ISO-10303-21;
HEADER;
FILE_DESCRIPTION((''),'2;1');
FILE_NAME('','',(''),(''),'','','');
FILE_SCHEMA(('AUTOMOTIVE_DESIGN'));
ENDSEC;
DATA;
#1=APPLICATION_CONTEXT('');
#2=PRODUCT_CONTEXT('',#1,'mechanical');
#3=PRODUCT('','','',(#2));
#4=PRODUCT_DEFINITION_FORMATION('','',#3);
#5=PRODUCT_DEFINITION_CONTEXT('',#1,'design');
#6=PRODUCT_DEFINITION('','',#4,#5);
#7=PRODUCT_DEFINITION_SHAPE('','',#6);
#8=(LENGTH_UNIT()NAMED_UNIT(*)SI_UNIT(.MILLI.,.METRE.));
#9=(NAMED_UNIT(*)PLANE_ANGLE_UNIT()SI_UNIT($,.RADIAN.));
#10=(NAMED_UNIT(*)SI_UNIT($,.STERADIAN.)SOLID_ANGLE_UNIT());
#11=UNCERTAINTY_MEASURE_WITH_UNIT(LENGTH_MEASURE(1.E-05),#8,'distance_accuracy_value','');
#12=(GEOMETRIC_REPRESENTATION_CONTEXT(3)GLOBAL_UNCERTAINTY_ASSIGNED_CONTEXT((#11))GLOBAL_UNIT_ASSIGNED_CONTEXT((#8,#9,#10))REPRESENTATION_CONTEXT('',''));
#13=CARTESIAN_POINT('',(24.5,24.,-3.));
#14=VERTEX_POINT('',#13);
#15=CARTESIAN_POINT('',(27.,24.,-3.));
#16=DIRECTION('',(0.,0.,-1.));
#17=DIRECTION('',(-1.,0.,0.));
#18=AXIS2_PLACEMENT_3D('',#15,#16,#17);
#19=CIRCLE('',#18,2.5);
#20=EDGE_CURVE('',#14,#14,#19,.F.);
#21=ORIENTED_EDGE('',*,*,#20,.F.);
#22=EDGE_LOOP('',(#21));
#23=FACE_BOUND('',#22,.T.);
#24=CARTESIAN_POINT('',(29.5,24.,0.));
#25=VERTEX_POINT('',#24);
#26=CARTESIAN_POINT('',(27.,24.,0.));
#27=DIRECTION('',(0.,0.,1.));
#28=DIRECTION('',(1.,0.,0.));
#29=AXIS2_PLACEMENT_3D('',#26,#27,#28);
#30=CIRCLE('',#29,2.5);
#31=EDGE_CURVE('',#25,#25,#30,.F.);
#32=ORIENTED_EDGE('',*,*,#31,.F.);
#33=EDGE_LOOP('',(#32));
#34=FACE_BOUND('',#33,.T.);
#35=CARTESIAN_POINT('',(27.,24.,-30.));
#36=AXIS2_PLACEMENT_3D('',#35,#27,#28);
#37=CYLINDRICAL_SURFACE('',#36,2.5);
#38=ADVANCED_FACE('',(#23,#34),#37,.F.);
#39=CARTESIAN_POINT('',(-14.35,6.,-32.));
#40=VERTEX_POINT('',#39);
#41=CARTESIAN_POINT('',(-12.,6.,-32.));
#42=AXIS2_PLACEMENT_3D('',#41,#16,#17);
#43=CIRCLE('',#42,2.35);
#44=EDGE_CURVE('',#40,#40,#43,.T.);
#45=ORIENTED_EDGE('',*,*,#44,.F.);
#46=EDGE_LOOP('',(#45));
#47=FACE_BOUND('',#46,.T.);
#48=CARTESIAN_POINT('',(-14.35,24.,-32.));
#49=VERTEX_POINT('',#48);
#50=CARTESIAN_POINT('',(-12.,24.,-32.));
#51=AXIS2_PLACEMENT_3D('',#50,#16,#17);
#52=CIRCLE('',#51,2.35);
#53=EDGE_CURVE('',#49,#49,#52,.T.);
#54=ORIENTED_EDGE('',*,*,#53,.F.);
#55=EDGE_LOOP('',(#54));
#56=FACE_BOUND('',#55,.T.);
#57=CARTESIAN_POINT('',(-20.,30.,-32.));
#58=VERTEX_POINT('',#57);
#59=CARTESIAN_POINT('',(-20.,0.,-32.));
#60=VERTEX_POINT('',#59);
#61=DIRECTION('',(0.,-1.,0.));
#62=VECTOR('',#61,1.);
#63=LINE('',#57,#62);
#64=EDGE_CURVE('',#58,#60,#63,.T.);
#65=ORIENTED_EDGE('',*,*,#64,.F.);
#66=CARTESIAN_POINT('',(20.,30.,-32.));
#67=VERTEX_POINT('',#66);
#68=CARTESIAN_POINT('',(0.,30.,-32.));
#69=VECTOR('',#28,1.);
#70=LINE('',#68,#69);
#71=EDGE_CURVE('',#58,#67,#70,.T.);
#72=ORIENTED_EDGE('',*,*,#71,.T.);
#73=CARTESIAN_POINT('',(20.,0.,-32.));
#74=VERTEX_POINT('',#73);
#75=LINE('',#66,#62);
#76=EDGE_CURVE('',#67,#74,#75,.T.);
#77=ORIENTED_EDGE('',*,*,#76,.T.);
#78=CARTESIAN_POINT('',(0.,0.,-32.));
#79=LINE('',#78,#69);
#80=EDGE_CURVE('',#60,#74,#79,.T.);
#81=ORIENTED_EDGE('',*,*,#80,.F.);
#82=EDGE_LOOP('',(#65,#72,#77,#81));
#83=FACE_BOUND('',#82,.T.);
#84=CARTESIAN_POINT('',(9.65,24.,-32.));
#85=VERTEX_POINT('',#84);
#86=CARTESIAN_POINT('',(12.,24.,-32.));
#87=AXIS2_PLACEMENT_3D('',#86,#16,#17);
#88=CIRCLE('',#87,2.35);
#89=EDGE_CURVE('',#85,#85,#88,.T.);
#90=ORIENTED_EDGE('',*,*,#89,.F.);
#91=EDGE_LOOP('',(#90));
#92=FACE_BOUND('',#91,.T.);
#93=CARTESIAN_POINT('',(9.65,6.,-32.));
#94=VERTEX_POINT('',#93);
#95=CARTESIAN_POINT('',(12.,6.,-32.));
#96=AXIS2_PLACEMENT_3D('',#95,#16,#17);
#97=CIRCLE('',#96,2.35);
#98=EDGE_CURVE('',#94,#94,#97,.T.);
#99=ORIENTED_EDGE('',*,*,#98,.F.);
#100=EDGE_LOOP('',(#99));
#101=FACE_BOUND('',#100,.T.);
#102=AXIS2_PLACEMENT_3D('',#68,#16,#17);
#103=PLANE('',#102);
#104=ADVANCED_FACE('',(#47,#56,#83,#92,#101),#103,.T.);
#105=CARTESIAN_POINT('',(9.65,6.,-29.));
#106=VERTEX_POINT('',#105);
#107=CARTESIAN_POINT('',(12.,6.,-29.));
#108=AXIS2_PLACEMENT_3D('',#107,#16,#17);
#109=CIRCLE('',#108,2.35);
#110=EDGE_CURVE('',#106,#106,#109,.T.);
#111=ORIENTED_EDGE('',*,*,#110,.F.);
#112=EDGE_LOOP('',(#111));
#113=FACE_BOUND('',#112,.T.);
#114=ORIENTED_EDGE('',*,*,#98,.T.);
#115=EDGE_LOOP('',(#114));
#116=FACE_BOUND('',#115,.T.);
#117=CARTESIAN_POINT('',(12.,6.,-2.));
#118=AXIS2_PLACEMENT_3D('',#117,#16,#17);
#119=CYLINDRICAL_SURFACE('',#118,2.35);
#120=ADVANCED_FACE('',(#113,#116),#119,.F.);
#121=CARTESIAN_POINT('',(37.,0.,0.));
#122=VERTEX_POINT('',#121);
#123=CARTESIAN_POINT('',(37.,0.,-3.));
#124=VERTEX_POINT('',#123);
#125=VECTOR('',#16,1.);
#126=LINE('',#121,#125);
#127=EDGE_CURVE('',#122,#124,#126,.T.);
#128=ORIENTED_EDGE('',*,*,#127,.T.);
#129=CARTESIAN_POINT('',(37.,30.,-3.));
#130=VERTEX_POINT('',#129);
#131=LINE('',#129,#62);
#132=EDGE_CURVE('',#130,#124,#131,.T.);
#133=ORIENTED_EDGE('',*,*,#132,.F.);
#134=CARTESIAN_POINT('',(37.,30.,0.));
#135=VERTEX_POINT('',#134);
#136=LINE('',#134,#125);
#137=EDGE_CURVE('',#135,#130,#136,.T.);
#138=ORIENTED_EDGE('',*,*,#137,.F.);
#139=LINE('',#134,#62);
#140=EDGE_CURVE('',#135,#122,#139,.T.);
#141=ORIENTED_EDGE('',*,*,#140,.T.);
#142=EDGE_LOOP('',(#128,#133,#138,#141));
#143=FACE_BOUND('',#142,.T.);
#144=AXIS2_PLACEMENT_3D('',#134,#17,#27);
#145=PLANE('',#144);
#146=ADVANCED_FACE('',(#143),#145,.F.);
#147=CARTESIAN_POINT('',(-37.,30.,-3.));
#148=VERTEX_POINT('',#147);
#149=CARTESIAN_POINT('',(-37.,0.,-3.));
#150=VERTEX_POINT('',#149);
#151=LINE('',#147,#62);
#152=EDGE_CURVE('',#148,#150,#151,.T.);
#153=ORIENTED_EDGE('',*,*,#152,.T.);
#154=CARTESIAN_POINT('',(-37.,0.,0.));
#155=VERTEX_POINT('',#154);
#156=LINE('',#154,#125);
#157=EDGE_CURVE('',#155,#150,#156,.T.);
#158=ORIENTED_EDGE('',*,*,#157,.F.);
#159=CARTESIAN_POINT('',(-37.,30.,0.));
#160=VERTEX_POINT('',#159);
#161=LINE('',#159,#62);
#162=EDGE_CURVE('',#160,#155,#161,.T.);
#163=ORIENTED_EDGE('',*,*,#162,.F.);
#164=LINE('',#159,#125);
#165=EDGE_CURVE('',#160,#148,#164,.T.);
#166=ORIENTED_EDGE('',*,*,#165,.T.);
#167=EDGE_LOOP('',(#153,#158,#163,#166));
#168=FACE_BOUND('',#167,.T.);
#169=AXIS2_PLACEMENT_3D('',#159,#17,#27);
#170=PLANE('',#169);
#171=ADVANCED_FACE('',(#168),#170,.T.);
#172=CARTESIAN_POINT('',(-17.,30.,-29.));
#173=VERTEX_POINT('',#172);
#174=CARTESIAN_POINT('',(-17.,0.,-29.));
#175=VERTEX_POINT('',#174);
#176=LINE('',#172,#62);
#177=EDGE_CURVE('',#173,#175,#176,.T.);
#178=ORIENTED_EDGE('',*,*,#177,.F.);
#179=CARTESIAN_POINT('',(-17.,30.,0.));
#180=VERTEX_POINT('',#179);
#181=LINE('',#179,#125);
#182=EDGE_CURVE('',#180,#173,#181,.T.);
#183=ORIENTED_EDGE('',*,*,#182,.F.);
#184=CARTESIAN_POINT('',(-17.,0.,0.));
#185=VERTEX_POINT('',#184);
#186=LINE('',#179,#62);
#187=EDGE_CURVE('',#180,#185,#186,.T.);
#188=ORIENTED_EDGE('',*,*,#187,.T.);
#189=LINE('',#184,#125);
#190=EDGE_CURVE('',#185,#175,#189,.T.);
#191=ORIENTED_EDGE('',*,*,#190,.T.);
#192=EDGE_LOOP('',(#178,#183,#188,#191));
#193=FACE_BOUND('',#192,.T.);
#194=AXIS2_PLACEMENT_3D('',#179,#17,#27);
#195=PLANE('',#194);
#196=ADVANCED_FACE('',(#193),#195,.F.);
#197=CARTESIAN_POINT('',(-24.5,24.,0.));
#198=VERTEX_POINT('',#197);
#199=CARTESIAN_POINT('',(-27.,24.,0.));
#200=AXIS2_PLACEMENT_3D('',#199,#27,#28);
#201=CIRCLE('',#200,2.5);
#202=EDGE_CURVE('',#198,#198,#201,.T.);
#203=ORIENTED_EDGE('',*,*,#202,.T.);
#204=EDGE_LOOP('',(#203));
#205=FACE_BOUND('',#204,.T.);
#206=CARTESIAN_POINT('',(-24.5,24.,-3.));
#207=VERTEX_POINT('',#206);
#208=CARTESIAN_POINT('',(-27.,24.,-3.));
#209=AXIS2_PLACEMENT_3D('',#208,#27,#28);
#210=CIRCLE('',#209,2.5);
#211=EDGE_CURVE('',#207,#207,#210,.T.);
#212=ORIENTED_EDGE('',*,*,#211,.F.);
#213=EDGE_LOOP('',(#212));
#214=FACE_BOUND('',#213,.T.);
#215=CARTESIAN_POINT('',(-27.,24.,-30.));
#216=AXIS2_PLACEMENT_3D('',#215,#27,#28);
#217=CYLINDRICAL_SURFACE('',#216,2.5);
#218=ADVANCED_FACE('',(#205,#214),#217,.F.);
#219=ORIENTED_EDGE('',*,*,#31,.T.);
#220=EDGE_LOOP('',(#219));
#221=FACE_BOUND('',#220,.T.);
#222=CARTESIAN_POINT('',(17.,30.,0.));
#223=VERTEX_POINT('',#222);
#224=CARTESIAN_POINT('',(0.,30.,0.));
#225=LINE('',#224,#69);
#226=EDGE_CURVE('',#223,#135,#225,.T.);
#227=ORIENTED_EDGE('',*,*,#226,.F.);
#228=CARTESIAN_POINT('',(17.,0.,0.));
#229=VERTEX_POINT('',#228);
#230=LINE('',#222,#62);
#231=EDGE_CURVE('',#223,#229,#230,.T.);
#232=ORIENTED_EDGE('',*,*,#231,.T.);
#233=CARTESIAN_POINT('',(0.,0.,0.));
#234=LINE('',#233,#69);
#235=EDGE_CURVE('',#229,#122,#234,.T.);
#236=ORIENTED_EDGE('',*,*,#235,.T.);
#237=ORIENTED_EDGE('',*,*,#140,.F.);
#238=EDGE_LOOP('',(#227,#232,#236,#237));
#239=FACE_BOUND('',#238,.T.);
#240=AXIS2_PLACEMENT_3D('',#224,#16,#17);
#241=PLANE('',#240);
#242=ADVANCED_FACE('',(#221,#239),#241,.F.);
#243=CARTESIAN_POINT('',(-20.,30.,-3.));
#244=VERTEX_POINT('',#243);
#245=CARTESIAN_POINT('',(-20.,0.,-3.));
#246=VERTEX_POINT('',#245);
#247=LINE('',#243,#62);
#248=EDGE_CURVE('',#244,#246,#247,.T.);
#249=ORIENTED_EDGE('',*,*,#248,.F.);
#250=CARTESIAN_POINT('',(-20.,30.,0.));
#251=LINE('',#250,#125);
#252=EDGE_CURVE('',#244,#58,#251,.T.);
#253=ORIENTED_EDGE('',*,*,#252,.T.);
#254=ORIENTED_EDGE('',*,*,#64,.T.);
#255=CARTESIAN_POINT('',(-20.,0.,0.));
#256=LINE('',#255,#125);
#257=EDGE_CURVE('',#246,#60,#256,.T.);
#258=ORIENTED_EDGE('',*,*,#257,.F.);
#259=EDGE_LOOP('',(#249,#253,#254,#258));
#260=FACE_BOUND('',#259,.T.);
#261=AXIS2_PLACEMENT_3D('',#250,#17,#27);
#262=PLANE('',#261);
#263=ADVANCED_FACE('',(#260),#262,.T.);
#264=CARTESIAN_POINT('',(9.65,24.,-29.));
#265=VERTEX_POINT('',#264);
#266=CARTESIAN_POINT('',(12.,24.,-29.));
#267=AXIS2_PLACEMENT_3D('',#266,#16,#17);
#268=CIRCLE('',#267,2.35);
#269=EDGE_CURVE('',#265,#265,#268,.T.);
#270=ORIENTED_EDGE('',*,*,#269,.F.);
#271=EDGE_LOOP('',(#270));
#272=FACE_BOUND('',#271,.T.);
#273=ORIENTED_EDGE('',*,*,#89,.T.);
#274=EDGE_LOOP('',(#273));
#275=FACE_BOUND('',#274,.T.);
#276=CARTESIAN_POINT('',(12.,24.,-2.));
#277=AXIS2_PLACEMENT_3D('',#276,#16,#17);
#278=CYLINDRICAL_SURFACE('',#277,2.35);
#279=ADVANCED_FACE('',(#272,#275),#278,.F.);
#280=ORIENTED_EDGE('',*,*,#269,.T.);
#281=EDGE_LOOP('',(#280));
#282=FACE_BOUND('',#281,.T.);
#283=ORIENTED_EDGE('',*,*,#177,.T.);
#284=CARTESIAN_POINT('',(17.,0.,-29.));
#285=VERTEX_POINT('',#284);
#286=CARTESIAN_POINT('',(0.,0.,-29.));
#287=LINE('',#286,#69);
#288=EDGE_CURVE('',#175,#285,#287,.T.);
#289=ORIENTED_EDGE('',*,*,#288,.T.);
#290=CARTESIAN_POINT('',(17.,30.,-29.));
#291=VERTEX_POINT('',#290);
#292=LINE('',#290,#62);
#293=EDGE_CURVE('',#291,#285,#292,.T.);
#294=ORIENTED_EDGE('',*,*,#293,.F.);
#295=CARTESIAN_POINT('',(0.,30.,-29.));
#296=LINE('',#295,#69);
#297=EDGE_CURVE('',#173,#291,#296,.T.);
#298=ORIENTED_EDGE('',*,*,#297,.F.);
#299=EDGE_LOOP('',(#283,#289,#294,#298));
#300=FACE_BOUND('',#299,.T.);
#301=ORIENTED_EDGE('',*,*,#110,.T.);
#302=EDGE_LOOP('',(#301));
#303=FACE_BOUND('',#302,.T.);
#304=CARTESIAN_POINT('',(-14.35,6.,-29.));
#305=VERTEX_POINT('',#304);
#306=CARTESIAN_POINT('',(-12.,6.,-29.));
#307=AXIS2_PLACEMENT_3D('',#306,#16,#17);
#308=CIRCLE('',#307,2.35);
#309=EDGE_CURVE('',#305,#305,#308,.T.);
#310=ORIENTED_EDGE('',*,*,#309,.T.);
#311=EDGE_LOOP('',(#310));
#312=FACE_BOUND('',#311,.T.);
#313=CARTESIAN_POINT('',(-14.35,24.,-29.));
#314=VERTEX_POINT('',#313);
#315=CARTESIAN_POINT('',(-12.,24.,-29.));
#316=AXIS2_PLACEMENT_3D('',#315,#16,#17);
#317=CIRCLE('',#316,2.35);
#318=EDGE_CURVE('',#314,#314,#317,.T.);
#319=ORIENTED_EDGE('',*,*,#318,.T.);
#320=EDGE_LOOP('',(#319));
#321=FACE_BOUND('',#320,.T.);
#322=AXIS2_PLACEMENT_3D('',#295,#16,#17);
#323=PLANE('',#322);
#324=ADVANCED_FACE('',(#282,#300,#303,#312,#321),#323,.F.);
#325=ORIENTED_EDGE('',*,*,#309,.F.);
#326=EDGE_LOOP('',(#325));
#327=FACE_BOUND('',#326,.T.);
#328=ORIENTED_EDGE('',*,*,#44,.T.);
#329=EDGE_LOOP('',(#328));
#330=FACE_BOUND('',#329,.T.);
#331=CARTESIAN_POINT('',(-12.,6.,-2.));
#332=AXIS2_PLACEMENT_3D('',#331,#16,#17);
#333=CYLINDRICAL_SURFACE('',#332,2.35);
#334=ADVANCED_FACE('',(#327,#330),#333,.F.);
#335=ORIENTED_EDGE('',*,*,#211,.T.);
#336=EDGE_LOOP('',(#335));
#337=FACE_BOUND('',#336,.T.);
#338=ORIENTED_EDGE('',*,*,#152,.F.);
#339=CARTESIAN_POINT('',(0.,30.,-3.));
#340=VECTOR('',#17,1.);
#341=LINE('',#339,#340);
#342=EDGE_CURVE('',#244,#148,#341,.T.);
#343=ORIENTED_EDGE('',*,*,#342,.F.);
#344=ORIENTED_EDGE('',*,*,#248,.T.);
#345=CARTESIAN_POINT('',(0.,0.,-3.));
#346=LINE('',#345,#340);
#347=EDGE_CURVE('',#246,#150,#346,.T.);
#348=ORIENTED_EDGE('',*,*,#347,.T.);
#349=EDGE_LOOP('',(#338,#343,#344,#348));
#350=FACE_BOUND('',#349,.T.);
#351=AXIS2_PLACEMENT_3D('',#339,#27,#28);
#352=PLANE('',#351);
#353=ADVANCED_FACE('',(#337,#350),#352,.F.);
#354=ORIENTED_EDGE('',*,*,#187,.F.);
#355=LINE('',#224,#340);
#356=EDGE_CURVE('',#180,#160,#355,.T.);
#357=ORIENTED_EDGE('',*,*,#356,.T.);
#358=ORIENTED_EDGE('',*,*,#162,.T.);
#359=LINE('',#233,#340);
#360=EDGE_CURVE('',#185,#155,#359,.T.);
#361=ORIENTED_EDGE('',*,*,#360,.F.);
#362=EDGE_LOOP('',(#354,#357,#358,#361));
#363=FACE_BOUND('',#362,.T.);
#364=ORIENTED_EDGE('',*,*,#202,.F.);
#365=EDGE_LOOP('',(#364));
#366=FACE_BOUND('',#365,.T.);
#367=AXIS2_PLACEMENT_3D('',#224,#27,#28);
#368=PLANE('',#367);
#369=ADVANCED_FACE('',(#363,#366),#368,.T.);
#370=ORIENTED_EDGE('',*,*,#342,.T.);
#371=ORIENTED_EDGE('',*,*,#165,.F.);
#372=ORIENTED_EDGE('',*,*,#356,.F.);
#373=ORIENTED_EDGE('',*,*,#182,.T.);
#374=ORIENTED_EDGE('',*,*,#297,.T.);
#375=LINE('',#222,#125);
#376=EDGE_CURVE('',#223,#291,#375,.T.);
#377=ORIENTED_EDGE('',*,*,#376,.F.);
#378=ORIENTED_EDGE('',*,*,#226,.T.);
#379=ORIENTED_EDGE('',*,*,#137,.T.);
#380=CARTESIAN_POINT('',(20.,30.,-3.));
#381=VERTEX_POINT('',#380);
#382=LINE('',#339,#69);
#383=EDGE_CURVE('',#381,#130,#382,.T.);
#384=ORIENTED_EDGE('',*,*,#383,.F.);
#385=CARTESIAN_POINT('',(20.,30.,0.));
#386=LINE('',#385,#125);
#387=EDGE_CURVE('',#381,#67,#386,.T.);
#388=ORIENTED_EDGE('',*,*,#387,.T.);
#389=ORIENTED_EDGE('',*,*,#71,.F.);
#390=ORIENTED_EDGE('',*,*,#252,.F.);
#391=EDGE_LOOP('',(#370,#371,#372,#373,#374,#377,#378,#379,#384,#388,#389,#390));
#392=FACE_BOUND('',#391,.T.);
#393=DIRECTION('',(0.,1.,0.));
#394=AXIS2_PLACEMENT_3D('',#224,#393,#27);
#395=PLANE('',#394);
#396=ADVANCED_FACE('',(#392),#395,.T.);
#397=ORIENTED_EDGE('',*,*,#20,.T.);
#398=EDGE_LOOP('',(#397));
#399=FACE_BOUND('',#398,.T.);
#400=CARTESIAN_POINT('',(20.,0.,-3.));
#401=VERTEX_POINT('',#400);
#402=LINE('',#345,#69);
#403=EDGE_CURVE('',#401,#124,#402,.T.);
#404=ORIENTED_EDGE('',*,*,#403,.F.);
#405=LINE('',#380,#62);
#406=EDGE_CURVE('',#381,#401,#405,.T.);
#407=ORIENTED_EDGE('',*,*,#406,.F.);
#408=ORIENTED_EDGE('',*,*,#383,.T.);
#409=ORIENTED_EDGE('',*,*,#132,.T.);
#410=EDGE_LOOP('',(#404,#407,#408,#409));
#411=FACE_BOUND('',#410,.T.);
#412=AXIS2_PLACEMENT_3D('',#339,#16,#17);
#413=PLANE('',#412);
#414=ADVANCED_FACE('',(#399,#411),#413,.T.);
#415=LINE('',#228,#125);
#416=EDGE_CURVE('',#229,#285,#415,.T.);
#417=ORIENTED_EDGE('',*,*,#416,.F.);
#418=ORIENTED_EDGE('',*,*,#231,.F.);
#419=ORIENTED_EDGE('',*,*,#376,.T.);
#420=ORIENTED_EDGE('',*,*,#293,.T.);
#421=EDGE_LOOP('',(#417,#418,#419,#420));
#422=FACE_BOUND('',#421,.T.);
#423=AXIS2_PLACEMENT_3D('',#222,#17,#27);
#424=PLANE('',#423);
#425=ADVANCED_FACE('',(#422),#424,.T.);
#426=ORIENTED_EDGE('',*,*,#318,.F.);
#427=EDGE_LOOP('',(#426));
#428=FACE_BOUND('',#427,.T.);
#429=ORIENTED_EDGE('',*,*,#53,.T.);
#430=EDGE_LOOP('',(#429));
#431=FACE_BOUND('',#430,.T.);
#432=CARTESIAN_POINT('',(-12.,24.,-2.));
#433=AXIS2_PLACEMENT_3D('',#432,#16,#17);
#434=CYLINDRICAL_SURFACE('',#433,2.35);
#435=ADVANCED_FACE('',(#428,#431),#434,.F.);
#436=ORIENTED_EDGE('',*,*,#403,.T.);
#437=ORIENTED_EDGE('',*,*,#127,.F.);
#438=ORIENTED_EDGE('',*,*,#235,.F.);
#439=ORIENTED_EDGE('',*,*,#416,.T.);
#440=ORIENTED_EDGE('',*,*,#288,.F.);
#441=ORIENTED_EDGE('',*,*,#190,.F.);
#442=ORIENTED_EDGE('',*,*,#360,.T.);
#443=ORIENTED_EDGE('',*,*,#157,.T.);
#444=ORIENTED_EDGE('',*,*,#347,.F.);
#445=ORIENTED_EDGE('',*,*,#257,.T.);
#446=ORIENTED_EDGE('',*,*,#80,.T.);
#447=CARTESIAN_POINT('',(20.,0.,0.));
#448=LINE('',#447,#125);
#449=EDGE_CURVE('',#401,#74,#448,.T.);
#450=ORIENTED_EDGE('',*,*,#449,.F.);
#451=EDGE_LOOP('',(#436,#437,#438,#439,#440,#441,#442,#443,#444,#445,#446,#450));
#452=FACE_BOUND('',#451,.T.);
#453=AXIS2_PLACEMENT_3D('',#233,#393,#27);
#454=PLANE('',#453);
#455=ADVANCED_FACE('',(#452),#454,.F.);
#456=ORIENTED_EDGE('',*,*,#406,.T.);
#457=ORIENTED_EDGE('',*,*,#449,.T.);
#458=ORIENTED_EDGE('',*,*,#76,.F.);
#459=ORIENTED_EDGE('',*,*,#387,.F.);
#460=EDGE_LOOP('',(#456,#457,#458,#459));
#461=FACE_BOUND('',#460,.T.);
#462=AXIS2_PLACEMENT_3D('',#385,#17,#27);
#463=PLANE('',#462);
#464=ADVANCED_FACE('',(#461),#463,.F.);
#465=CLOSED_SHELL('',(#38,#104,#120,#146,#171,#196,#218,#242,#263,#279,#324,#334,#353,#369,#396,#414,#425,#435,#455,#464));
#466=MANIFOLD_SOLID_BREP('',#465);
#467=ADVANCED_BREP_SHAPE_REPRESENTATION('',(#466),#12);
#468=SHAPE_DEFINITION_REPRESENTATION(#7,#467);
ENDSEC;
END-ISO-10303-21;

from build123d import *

# Parameters (mm, degrees)
SKETCH1_W           = 3
SKETCH1_H           = 3
SKETCH1_W_2         = 17
BOSS_EXTRUDE1_DEPTH = 30
SKETCH2_R           = 2.5
CUT_EXTRUDE1_DEPTH  = 30
SKETCH3_R           = 2.35
CUT_EXTRUDE2_DEPTH  = 30


with BuildPart() as part:
    # Sketch1 → Boss-Extrude1 (new body)
    with BuildSketch(Plane(origin=(0, 0, 0), x_dir=(1, 0, 0), z_dir=(0, 1, 0))):
        Polygon((-17, 29), (0, 29), (17, 29), (17, 3), (20, 3), (20, 32), (-20, 32), (-20, 3), (-17, 3), align=None)
        with Locations((-18.5, 1.5)):
            Rectangle(SKETCH1_W, SKETCH1_H)
        with Locations((-28.5, 1.5)):
            Rectangle(SKETCH1_W_2, SKETCH1_H)
        with Locations((18.5, 1.5)):
            Rectangle(SKETCH1_W, SKETCH1_H)
        with Locations((28.5, 1.5)):
            Rectangle(SKETCH1_W_2, SKETCH1_H)
    extrude(amount=BOSS_EXTRUDE1_DEPTH)

    # Sketch2 → Cut-Extrude1 (cut)
    with BuildSketch(Plane.XY):
        with Locations((-27, 24)):
            Circle(SKETCH2_R)
        with Locations((27, 24)):
            Circle(SKETCH2_R)
    extrude(amount=-CUT_EXTRUDE1_DEPTH, mode=Mode.SUBTRACT)

    # Sketch3 → Cut-Extrude2 (cut)
    with BuildSketch(Plane(origin=(0, 0, -32), x_dir=(-1, 0, 0), z_dir=(0, 0, -1))):
        with Locations((-12, 6)):
            Circle(SKETCH3_R)
        with Locations((12, 6)):
            Circle(SKETCH3_R)
        with Locations((12, 24)):
            Circle(SKETCH3_R)
        with Locations((-12, 24)):
            Circle(SKETCH3_R)
    extrude(amount=-CUT_EXTRUDE2_DEPTH, mode=Mode.SUBTRACT)


solid = part.part
